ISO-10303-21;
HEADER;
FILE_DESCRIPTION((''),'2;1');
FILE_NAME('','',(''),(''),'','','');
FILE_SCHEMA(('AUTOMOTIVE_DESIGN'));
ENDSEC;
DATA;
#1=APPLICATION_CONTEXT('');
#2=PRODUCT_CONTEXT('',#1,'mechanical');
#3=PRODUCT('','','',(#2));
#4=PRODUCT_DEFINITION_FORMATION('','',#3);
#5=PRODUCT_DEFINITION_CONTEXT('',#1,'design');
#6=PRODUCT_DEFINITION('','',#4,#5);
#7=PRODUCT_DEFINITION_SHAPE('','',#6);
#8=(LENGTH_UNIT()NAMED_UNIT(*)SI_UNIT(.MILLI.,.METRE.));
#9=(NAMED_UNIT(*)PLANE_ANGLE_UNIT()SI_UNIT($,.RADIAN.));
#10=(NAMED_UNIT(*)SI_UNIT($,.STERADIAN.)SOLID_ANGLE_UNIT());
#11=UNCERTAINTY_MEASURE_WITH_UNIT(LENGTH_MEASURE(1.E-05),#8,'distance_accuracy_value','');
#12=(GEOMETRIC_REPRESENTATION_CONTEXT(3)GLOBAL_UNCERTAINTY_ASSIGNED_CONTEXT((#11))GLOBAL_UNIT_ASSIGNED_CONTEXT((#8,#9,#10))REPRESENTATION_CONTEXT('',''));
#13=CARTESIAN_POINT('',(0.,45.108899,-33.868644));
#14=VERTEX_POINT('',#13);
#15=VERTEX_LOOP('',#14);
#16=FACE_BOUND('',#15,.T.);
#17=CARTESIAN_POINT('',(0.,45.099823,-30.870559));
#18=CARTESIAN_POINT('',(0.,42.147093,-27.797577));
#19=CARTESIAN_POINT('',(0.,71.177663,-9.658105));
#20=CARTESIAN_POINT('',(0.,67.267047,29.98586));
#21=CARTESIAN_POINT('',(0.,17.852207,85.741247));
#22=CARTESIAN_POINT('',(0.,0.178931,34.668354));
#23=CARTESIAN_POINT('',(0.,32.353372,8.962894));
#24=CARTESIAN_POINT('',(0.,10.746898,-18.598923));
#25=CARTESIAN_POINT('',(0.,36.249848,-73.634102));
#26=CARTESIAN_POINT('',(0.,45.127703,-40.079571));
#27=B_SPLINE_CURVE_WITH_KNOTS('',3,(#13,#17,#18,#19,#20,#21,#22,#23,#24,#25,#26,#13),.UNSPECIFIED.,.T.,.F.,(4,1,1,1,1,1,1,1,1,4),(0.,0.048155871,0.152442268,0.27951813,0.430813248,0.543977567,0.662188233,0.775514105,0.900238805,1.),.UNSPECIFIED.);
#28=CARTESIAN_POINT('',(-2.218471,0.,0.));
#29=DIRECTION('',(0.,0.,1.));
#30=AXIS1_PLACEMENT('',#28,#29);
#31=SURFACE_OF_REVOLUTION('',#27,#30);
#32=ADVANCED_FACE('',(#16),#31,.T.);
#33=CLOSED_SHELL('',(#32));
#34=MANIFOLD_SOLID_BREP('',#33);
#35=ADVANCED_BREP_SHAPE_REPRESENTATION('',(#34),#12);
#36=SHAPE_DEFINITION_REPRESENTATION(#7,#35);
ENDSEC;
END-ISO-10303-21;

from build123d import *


with BuildPart() as f2:
    # F1 (on Right) → F2 (revolve)
    with BuildSketch(Plane.YZ):
        with BuildLine():
            add(Edge.make_bspline(
                [(45.1088994741, -33.8686443865), (45.0998229125, -30.8705591731), (42.1470932676, -27.7975771727), (71.177662885, -9.6581051836), (67.2670465848, 29.9858598697), (17.8522071528, 85.7412465082), (0.1789314866, 34.668353766), (32.3533716369, 8.9628942666), (10.746897963, -18.5989230955), (36.2498479969, -73.6341021008), (45.1277027605, -40.0795706386), (45.1088994741, -33.8686443865)],
                knots=[0, 0, 0, 0, 0.0481558711, 0.1524422675, 0.2795181297, 0.4308132481, 0.5439775672, 0.662188233, 0.775514105, 0.9002388049, 1, 1, 1, 1], degree=3))
        make_face()
    revolve(axis=Axis((-2.2184706759, 0, 0), (0, 0, 1)))


solid = f2.part
